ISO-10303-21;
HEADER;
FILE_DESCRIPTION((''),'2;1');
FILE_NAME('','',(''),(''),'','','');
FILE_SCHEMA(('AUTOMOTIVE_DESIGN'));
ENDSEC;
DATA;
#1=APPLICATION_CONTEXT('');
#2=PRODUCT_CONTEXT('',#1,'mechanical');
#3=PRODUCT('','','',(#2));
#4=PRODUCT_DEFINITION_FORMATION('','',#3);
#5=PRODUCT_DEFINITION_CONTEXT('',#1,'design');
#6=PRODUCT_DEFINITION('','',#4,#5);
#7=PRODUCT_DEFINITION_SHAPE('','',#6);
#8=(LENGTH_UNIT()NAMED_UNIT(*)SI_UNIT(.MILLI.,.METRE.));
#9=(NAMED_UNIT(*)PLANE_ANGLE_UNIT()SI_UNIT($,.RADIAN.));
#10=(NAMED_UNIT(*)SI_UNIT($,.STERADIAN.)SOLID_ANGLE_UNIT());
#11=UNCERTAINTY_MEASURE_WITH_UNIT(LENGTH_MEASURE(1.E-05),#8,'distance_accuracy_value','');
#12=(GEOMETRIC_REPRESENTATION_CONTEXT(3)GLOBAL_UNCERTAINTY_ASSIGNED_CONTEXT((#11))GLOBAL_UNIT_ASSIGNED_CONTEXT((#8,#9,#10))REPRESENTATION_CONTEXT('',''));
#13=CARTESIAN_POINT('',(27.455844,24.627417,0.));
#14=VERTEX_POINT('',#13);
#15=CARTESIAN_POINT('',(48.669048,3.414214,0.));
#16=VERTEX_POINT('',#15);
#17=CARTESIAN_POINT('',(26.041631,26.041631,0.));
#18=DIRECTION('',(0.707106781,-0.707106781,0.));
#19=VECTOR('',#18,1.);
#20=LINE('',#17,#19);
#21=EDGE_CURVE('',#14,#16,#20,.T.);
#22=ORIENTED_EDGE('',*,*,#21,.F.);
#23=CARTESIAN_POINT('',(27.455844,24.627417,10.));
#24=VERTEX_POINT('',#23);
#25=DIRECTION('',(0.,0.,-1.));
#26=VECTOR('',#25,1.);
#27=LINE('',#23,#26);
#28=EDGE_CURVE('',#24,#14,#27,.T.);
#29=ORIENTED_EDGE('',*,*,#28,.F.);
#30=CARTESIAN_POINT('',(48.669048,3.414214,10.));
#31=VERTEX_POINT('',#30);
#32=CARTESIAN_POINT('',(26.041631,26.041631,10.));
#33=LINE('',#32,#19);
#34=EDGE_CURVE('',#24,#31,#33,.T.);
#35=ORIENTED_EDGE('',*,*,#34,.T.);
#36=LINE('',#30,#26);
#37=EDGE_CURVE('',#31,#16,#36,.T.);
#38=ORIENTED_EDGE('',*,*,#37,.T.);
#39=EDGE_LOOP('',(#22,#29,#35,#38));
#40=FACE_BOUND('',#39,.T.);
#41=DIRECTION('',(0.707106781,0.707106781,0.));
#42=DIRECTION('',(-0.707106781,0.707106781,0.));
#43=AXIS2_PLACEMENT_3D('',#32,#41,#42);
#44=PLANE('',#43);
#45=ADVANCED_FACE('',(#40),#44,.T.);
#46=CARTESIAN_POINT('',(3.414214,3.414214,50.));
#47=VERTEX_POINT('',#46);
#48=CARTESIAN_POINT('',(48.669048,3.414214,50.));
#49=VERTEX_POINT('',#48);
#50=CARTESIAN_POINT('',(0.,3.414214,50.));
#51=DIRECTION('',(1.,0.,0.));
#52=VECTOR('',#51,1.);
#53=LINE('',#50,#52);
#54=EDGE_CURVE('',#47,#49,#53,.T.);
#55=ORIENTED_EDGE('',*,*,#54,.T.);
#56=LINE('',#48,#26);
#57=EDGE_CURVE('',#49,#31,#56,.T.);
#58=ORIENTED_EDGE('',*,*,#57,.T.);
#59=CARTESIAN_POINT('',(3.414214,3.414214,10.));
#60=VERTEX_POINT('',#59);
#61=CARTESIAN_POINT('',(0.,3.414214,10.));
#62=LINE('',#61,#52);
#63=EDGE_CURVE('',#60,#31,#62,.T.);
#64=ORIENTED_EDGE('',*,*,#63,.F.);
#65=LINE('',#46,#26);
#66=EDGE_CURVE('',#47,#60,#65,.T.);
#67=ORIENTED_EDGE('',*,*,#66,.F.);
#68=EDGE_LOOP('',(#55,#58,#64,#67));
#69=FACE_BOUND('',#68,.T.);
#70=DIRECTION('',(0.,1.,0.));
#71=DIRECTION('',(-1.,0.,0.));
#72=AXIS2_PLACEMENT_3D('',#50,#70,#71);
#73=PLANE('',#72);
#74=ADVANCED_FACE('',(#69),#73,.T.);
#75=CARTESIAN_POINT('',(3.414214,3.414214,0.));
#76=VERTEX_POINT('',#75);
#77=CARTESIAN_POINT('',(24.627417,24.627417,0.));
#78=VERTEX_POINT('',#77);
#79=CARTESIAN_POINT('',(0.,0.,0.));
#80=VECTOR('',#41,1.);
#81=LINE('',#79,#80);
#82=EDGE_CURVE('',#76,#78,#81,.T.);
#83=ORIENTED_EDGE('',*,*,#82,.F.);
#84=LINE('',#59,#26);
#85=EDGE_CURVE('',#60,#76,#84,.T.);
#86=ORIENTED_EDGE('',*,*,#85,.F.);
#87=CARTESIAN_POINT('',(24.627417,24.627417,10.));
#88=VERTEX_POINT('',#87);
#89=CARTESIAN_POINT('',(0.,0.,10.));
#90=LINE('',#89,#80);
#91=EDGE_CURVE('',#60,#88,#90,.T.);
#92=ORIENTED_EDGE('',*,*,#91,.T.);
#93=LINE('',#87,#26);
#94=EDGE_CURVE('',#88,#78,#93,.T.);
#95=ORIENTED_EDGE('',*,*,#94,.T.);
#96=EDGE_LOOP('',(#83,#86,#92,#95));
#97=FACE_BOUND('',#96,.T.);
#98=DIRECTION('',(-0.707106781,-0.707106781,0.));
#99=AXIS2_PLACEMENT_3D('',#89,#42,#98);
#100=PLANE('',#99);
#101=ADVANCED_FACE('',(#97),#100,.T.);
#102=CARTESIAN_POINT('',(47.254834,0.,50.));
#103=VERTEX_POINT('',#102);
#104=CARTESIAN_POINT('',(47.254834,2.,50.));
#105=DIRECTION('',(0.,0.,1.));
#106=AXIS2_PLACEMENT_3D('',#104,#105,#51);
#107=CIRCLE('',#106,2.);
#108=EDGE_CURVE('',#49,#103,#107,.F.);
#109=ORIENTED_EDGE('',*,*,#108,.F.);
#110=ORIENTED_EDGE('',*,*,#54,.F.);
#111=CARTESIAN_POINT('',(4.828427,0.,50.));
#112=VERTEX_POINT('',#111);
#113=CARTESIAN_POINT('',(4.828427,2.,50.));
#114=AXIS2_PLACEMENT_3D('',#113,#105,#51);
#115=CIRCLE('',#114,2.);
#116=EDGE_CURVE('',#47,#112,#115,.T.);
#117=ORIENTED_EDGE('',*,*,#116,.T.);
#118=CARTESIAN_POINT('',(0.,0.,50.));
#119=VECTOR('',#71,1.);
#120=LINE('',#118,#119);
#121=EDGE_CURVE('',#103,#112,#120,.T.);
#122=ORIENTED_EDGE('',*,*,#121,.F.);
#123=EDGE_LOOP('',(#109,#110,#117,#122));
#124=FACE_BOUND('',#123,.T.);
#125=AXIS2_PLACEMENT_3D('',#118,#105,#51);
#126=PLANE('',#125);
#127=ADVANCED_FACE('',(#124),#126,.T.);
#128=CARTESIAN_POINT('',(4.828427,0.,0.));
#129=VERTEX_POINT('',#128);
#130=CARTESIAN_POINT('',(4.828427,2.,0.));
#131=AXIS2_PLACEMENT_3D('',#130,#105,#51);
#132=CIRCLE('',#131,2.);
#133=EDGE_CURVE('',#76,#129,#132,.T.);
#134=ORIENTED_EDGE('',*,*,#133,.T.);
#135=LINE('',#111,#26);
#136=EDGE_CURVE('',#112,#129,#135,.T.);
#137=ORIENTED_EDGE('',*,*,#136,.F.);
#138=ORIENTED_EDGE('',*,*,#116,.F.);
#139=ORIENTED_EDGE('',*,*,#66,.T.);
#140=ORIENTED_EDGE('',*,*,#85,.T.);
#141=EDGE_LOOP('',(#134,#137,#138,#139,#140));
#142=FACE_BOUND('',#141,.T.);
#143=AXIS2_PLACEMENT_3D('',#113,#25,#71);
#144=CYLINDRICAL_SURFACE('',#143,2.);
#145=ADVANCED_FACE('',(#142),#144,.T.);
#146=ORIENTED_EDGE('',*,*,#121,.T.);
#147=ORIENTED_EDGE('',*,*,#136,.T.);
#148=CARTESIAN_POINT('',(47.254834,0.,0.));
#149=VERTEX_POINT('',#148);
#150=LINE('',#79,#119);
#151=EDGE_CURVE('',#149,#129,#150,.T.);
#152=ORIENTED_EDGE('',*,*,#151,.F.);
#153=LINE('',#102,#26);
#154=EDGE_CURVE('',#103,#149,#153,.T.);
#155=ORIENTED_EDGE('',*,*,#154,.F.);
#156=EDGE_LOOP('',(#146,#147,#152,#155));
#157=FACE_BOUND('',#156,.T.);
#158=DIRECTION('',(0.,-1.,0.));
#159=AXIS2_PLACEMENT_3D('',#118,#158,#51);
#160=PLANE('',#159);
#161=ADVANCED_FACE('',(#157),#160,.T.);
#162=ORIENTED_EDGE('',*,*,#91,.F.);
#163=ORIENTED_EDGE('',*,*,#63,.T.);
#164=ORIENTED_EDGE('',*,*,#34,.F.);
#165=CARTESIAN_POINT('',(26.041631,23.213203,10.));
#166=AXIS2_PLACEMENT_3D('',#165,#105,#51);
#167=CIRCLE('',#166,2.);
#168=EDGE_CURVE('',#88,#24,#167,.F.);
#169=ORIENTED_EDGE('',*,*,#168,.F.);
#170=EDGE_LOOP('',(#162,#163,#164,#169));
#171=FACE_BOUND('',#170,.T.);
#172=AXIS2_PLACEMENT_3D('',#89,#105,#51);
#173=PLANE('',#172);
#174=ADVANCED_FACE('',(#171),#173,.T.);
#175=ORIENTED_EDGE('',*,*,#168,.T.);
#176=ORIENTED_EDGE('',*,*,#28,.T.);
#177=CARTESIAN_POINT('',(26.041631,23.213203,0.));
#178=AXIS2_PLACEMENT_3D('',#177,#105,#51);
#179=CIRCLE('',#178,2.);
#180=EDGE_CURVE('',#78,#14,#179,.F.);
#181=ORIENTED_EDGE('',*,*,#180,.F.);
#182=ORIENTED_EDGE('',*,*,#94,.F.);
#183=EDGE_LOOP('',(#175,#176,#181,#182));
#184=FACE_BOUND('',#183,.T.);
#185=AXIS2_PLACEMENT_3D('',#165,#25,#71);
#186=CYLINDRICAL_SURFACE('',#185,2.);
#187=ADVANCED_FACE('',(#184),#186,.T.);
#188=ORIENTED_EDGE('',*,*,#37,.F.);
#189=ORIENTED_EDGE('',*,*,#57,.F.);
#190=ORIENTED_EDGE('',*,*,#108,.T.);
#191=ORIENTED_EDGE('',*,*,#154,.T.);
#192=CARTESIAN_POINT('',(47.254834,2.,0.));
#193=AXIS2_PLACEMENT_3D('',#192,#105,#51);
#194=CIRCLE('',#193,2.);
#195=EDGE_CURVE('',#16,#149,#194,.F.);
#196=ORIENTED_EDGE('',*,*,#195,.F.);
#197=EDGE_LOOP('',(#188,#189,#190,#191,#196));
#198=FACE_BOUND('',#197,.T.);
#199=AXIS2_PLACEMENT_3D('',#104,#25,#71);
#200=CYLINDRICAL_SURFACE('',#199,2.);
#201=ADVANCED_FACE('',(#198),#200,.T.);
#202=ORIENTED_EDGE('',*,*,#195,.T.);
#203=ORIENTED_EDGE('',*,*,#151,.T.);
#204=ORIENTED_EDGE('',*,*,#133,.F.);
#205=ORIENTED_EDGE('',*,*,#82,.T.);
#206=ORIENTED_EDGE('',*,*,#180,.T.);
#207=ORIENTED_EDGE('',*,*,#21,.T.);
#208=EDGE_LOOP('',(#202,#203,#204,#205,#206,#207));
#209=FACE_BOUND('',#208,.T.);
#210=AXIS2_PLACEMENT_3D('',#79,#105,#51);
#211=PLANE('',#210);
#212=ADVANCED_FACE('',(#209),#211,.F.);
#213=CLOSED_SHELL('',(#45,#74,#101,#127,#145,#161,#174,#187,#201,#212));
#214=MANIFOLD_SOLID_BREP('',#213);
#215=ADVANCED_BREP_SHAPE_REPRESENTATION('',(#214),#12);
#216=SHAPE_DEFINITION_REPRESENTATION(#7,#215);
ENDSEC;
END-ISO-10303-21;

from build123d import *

# Parameters (mm, degrees)
BOSS_EXTRU_1_DEPTH = 50
BOSS_EXTRU_2_DEPTH = 10


with BuildPart() as part:
    # Esquisse1 → Boss.-Extru.1 (new body)
    with BuildSketch(Plane.XY):
        with BuildLine():
            Line((48.669047558, 3.414213562), (3.414213562, 3.414213562))
            ThreePointArc((3.414213562, 3.414213562), (2.98066806, 1.234633135), (4.828427125, 0))
            Line((4.828427125, 0), (47.254833996, 0))
            ThreePointArc((47.254833996, 0), (49.102593061, 1.234633135), (48.669047558, 3.414213562))
        make_face()
    extrude(amount=BOSS_EXTRU_1_DEPTH)

    # Esquisse1<3> → Boss.-Extru.2 (add)
    with BuildSketch(Plane.XY):
        with BuildLine():
            Line((24.627416998, 24.627416998), (3.414213562, 3.414213562))
            Line((3.414213562, 3.414213562), (48.669047558, 3.414213562))
            Line((48.669047558, 3.414213562), (27.455844123, 24.627416998))
            ThreePointArc((27.455844123, 24.627416998), (26.04163056, 25.213203436), (24.627416998, 24.627416998))
        make_face()
    extrude(amount=BOSS_EXTRU_2_DEPTH)


solid = part.part
